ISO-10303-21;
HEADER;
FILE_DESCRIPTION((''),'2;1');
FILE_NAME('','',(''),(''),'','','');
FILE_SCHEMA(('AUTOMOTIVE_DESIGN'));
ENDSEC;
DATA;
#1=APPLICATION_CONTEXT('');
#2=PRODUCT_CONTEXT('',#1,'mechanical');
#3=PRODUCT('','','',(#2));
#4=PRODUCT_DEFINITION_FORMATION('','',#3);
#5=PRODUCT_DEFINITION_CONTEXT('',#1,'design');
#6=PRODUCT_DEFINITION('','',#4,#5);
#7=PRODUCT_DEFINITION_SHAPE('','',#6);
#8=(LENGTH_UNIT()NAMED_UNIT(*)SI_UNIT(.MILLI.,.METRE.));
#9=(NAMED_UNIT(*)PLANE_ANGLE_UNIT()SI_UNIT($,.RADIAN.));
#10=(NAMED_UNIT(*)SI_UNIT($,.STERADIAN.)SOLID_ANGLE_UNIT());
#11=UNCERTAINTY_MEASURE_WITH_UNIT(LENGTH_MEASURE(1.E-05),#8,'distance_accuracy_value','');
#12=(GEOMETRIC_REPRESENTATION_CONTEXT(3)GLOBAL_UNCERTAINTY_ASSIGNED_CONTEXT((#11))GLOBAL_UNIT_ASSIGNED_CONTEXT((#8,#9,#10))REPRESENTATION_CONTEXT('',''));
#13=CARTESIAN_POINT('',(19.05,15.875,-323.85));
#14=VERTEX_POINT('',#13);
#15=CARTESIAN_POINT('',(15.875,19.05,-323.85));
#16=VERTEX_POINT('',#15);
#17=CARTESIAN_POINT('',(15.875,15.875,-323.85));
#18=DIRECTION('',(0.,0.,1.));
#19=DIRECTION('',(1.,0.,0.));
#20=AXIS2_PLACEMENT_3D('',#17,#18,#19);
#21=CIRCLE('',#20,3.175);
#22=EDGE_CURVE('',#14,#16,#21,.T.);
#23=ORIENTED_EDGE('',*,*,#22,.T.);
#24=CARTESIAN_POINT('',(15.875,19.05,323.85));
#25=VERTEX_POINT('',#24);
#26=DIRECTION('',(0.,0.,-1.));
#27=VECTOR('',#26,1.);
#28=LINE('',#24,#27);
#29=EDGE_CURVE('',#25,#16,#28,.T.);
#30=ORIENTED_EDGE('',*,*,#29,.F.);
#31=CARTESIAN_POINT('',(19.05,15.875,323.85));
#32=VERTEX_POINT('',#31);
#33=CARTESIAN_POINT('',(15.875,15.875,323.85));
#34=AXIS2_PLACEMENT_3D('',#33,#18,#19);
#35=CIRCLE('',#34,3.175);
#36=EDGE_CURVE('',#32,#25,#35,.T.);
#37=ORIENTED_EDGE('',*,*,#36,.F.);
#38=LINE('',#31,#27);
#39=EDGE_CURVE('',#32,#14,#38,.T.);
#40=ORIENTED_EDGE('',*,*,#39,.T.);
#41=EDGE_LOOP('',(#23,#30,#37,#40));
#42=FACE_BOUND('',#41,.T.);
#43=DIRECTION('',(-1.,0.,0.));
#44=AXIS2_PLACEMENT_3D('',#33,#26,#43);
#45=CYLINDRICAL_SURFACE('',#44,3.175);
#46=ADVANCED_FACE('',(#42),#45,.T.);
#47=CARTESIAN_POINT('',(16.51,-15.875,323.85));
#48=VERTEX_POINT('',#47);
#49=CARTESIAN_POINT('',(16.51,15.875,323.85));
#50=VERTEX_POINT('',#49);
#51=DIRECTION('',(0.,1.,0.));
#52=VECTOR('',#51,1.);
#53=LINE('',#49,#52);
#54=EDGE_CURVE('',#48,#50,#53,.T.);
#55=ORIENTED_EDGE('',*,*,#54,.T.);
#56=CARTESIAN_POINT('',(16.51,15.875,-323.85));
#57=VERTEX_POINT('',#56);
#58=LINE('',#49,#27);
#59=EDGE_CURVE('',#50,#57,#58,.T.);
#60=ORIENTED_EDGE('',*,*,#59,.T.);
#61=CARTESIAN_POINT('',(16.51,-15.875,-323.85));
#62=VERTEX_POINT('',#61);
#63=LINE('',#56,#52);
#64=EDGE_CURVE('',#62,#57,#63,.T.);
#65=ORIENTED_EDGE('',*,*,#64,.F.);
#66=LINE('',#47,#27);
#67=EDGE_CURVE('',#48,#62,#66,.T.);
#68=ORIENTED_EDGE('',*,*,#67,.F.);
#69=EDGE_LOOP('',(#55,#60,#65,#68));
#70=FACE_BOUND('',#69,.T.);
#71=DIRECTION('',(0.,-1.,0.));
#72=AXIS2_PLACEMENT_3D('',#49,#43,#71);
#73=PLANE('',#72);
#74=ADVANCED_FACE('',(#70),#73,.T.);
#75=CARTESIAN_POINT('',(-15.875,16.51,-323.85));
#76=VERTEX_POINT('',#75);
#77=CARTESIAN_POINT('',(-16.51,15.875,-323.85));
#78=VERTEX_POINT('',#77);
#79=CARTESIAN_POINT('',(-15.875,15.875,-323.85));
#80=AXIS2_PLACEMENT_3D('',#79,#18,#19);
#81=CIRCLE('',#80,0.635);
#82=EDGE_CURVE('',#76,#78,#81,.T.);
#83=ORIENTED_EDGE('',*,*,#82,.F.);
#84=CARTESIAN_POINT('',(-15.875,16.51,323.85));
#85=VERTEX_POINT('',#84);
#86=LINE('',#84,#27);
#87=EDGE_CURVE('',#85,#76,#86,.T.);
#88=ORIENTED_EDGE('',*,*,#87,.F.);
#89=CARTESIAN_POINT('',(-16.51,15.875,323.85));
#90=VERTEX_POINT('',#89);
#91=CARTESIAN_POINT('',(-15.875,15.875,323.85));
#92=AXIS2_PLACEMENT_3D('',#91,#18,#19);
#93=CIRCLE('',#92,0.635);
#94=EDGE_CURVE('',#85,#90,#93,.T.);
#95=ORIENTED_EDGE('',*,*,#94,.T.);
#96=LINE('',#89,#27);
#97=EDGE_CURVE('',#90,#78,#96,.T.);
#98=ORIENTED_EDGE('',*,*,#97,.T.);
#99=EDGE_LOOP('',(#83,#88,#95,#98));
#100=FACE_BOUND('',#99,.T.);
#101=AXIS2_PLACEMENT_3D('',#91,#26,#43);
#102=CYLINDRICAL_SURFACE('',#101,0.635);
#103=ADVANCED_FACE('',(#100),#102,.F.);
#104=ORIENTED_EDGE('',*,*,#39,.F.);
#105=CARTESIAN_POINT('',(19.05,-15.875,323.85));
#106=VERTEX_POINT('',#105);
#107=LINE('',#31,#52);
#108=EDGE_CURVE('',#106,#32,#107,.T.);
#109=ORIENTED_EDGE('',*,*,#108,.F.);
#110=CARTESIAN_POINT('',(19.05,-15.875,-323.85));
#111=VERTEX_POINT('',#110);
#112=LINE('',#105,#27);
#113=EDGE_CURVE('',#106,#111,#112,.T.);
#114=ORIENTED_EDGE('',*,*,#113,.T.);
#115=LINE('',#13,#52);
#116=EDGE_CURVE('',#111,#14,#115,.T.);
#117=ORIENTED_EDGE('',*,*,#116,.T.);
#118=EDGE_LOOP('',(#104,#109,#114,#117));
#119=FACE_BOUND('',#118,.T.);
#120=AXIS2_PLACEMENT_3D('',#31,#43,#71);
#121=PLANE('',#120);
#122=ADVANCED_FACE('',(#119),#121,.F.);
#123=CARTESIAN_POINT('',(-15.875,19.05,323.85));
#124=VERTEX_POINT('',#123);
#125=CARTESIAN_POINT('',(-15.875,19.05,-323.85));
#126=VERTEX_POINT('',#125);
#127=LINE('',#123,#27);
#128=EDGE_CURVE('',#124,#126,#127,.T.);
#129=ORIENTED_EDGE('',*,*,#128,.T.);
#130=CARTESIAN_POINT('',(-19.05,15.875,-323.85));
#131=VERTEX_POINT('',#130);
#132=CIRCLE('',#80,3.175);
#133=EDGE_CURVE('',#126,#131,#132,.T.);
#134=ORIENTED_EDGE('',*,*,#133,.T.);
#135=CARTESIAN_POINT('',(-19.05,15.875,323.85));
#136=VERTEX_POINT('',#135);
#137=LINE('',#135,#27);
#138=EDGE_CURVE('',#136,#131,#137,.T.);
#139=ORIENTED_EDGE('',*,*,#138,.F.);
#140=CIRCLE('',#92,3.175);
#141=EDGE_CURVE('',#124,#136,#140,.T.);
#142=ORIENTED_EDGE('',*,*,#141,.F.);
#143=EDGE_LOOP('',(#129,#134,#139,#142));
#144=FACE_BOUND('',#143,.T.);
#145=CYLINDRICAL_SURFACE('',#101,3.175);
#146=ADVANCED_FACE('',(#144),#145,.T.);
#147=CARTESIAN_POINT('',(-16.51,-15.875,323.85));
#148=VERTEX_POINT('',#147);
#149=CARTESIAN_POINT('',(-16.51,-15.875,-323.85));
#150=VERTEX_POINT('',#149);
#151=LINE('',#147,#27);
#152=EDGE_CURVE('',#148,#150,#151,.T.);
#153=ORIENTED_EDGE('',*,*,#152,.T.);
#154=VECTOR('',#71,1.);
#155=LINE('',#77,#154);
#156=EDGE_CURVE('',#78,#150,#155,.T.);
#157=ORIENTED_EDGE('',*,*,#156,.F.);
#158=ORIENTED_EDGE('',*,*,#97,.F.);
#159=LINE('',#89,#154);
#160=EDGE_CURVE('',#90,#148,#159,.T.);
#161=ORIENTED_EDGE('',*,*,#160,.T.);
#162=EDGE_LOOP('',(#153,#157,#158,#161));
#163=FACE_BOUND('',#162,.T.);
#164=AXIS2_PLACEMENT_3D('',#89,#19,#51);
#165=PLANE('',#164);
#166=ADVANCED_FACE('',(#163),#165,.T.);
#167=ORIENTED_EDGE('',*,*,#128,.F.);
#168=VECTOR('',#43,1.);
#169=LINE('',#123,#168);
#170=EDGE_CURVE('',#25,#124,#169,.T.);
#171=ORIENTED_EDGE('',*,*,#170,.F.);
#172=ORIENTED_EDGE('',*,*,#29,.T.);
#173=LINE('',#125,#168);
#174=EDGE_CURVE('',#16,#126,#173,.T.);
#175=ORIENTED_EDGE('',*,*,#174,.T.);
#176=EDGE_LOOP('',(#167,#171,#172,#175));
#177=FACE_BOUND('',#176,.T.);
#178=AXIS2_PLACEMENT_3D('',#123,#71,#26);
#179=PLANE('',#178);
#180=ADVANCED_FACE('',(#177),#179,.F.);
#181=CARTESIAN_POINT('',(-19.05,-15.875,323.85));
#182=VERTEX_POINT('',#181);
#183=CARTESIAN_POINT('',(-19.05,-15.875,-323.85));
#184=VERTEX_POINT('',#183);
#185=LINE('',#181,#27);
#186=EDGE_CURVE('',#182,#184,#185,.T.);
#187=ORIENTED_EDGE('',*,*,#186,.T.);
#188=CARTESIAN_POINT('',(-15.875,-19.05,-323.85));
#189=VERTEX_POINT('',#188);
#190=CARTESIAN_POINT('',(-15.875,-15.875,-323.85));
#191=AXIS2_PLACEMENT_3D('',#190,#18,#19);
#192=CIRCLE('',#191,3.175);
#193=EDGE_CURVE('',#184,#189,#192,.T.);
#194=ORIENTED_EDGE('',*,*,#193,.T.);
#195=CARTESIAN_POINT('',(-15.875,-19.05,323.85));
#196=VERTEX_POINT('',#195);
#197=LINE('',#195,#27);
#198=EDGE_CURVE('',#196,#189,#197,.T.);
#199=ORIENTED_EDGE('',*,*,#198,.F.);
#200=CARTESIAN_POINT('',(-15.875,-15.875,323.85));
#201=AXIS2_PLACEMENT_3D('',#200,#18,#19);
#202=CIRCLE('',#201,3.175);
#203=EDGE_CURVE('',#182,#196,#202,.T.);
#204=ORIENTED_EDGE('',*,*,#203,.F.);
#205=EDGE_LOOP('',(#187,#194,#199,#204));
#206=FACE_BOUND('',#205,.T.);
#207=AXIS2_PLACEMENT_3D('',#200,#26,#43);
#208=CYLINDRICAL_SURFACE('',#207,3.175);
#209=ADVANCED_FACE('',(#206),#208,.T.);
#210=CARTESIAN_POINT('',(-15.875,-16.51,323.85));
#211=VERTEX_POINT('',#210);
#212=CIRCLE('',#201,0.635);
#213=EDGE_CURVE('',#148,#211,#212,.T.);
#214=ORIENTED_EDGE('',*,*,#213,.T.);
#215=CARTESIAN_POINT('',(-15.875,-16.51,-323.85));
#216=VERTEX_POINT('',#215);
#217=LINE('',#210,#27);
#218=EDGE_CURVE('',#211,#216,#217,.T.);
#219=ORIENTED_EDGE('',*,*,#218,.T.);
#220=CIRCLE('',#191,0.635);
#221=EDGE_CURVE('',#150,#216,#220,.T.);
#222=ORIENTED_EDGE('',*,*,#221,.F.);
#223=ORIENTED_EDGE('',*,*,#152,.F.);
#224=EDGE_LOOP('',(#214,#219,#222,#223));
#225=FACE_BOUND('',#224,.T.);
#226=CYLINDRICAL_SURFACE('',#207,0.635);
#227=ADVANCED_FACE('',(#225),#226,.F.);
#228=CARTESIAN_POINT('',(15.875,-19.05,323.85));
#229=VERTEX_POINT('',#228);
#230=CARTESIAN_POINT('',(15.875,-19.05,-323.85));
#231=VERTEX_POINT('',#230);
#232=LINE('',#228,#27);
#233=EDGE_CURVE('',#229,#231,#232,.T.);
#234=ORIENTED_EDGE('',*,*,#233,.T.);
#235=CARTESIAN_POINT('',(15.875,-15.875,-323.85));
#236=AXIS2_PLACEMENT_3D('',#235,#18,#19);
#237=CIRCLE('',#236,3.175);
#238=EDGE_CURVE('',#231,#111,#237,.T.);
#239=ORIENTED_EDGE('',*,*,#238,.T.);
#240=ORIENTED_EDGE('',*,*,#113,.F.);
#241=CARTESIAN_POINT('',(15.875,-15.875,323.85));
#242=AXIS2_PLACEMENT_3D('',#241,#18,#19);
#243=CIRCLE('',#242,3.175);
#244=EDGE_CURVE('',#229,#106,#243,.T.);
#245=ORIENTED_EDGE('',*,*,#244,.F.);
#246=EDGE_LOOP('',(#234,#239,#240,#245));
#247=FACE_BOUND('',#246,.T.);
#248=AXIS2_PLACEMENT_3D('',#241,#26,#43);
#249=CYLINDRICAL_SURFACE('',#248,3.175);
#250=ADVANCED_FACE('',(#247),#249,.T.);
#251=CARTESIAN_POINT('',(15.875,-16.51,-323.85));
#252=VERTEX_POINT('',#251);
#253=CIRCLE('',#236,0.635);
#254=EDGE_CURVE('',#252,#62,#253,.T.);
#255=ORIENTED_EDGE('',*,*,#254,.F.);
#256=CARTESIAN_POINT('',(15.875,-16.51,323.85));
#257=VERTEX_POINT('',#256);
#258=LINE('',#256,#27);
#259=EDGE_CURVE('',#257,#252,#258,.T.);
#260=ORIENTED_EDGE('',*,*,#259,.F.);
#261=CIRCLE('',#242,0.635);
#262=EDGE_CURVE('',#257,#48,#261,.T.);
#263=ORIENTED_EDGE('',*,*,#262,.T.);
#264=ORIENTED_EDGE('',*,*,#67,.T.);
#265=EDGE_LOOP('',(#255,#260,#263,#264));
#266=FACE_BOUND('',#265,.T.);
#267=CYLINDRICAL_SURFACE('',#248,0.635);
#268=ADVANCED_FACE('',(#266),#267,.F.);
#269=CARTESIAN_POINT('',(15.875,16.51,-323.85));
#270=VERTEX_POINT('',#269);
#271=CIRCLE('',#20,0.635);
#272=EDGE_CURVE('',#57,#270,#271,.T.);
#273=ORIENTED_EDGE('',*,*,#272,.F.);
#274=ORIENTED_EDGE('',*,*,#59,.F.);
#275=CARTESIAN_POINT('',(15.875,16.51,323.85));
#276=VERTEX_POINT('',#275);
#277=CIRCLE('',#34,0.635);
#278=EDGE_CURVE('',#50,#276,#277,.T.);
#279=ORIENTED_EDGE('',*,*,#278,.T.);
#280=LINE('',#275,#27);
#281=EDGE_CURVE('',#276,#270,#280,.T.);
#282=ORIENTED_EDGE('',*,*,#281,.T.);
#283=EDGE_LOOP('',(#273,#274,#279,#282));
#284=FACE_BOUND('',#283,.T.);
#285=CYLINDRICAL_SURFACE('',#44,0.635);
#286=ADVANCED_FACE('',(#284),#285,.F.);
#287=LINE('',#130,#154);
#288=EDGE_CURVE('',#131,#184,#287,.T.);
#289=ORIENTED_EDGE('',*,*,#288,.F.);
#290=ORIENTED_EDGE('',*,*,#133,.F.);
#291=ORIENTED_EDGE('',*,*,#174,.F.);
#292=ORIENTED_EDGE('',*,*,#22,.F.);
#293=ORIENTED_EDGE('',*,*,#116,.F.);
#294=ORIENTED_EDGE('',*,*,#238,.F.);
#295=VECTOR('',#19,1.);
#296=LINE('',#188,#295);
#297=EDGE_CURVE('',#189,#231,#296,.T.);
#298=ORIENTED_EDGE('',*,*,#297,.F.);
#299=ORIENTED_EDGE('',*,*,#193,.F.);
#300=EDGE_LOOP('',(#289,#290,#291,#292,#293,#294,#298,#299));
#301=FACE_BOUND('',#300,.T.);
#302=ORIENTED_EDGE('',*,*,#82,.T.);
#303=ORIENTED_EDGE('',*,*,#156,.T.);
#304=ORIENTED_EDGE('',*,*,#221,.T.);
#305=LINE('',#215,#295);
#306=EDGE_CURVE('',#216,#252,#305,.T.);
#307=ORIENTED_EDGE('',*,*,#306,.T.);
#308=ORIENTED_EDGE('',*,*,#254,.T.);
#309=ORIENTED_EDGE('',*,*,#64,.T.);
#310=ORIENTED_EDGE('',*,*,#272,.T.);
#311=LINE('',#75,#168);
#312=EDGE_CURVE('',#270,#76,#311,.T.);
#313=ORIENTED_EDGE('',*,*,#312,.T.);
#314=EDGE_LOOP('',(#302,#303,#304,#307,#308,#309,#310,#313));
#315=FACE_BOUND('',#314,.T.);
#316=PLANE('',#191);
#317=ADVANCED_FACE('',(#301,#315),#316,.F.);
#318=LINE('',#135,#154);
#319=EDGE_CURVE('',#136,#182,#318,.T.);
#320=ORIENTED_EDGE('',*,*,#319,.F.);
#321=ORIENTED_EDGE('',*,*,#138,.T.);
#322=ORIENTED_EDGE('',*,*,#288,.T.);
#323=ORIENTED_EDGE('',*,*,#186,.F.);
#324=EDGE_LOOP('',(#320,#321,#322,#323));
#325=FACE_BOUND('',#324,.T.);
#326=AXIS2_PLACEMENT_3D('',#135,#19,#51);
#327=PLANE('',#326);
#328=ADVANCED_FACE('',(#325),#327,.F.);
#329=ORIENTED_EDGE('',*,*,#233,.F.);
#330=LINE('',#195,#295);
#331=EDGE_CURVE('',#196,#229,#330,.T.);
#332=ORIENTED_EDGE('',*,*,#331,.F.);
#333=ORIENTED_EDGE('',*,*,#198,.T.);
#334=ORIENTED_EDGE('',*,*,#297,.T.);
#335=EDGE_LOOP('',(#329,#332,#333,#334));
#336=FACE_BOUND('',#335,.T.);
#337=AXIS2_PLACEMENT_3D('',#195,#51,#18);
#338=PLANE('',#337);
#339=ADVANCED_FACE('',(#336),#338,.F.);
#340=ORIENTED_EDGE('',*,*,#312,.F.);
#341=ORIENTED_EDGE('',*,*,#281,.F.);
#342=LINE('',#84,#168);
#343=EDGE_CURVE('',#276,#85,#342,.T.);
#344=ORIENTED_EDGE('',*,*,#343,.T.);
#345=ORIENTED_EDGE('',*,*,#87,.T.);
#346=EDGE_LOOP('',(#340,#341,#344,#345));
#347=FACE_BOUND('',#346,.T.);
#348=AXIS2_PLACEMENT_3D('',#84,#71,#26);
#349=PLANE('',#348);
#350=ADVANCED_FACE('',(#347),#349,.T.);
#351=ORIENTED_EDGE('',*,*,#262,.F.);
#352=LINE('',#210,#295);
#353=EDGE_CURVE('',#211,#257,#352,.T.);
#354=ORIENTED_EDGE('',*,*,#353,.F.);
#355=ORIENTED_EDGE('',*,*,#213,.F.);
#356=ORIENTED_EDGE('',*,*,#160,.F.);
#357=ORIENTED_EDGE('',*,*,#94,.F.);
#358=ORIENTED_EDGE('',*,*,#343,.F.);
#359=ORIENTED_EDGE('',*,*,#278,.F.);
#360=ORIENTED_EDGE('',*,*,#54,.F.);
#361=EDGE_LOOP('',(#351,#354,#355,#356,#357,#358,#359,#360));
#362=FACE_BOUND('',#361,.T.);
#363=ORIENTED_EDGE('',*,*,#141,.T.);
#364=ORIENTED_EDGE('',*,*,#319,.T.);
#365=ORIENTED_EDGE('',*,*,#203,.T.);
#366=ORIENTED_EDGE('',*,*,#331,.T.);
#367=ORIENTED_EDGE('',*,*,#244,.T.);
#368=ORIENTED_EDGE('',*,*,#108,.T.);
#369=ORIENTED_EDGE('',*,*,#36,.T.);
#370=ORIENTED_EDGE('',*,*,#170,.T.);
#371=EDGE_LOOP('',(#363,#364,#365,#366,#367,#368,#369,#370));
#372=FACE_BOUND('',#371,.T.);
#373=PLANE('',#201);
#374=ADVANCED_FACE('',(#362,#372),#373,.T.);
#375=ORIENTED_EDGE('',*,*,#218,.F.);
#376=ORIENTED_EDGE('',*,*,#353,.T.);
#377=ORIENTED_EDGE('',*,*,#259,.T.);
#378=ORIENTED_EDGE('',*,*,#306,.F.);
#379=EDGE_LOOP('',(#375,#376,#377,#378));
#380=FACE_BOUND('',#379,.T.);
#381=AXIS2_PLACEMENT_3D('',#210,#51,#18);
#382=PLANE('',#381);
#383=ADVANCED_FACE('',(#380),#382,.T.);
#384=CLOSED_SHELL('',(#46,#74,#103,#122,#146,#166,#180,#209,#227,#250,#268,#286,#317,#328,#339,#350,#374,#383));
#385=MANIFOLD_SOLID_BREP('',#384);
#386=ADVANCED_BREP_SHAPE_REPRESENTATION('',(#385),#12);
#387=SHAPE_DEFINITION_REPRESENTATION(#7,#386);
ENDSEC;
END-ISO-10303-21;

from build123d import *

# Parameters (mm, degrees)
EXTRUDE_THIN1_DEPTH = 323.85


with BuildPart() as part:
    # Sketch1 → Extrude-Thin1 (new body, symmetric)
    with BuildSketch(Plane.XY):
        with BuildLine():
            Line((-15.875, 19.05), (15.875, 19.05))
            ThreePointArc((15.875, 19.05), (18.12006403, 18.12006403), (19.05, 15.875))
            Line((19.05, 15.875), (19.05, -15.875))
            ThreePointArc((19.05, -15.875), (18.12006403, -18.12006403), (15.875, -19.05))
            Line((15.875, -19.05), (-15.875, -19.05))
            ThreePointArc((-15.875, -19.05), (-18.12006403, -18.12006403), (-19.05, -15.875))
            Line((-19.05, -15.875), (-19.05, 15.875))
            ThreePointArc((-19.05, 15.875), (-18.12006403, 18.12006403), (-15.875, 19.05))
        make_face()
        with BuildLine():
            Line((-15.875, 16.51), (15.875, 16.51))
            ThreePointArc((15.875, 16.51), (16.324012806, 16.324012806), (16.51, 15.875))
            Line((16.51, 15.875), (16.51, -15.875))
            ThreePointArc((16.51, -15.875), (16.324012806, -16.324012806), (15.875, -16.51))
            Line((15.875, -16.51), (-15.875, -16.51))
            ThreePointArc((-15.875, -16.51), (-16.324012806, -16.324012806), (-16.51, -15.875))
            Line((-16.51, -15.875), (-16.51, 15.875))
            ThreePointArc((-16.51, 15.875), (-16.324012806, 16.324012806), (-15.875, 16.51))
        make_face(mode=Mode.SUBTRACT)
    extrude(amount=EXTRUDE_THIN1_DEPTH, both=True)


solid = part.part
